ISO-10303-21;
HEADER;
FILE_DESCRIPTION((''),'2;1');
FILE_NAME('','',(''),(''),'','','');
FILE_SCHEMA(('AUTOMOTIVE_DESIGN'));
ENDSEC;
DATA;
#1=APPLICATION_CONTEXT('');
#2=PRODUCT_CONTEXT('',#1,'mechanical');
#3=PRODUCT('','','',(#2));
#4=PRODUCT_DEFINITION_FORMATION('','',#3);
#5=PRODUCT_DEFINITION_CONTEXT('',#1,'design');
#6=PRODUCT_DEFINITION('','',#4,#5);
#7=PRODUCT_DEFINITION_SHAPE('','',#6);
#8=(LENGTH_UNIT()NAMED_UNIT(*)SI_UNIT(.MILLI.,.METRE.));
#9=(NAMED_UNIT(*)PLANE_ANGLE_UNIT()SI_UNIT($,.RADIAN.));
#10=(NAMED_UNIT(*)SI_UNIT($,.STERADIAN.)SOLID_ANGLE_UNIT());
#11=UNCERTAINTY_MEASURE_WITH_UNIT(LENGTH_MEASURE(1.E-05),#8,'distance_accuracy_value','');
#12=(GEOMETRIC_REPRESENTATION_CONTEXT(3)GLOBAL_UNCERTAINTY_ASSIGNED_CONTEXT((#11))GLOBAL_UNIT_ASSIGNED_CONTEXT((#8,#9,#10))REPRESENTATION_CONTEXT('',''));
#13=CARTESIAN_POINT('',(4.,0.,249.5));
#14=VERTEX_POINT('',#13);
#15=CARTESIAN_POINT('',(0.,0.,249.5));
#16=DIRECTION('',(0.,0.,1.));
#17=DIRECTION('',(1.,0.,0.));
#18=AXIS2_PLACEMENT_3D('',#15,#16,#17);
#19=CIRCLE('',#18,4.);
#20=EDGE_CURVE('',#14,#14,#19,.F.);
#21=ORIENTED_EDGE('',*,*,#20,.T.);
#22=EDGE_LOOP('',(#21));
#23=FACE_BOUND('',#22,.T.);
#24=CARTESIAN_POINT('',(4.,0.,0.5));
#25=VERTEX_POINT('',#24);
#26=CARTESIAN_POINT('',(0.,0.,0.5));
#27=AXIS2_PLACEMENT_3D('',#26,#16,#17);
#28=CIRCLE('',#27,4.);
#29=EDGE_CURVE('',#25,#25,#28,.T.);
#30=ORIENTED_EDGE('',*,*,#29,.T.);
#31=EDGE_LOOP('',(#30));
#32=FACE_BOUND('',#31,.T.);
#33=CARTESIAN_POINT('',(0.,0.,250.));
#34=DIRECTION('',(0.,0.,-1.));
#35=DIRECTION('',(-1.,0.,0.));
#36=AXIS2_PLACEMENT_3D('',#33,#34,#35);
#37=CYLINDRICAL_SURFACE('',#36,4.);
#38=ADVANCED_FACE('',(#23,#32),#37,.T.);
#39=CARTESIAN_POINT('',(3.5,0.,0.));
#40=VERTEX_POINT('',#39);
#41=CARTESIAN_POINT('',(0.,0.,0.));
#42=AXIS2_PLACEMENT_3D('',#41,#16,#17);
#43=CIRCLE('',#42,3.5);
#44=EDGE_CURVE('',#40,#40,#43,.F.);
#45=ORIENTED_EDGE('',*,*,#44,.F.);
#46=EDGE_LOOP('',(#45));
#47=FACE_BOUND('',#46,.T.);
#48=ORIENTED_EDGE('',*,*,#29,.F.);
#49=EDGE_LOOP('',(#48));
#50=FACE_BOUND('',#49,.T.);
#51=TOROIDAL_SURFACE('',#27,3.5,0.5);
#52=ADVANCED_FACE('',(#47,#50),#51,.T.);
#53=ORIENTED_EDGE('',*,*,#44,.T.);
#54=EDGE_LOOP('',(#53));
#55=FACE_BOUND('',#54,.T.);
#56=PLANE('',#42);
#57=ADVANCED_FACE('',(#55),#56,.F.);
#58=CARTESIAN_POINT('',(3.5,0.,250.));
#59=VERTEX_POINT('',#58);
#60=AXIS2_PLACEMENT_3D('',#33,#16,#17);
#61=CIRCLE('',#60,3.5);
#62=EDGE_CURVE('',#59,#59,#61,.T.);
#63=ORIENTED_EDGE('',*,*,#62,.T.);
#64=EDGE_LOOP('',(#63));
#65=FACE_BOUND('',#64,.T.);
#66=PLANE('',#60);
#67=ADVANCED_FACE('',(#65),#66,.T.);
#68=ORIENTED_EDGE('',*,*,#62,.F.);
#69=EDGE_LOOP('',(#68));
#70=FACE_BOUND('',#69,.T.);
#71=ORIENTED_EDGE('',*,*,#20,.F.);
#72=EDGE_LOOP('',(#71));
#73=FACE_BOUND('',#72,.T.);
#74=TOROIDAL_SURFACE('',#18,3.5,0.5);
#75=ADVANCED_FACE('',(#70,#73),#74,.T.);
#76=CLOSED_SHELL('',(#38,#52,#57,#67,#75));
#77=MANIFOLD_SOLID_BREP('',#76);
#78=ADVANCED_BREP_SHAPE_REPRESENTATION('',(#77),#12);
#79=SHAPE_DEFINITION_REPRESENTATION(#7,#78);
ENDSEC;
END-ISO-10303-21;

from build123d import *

# Parameters (mm, degrees)
ESQUISSE1_R        = 4
BOSS_EXTRU_1_DEPTH = 250
CONG_1_R           = 0.5


with BuildPart() as part:
    # Esquisse1 → Boss.-Extru.1 (new body)
    with BuildSketch(Plane.XY):
        Circle(ESQUISSE1_R)
    extrude(amount=BOSS_EXTRU_1_DEPTH)

    # Congé1
    cong_1_edges = [part.edges().sort_by_distance(p)[0] for p in [
        (-4, 0, 0),
        (-4, 0, 250),
    ]]
    fillet(cong_1_edges, radius=CONG_1_R)


solid = part.part
